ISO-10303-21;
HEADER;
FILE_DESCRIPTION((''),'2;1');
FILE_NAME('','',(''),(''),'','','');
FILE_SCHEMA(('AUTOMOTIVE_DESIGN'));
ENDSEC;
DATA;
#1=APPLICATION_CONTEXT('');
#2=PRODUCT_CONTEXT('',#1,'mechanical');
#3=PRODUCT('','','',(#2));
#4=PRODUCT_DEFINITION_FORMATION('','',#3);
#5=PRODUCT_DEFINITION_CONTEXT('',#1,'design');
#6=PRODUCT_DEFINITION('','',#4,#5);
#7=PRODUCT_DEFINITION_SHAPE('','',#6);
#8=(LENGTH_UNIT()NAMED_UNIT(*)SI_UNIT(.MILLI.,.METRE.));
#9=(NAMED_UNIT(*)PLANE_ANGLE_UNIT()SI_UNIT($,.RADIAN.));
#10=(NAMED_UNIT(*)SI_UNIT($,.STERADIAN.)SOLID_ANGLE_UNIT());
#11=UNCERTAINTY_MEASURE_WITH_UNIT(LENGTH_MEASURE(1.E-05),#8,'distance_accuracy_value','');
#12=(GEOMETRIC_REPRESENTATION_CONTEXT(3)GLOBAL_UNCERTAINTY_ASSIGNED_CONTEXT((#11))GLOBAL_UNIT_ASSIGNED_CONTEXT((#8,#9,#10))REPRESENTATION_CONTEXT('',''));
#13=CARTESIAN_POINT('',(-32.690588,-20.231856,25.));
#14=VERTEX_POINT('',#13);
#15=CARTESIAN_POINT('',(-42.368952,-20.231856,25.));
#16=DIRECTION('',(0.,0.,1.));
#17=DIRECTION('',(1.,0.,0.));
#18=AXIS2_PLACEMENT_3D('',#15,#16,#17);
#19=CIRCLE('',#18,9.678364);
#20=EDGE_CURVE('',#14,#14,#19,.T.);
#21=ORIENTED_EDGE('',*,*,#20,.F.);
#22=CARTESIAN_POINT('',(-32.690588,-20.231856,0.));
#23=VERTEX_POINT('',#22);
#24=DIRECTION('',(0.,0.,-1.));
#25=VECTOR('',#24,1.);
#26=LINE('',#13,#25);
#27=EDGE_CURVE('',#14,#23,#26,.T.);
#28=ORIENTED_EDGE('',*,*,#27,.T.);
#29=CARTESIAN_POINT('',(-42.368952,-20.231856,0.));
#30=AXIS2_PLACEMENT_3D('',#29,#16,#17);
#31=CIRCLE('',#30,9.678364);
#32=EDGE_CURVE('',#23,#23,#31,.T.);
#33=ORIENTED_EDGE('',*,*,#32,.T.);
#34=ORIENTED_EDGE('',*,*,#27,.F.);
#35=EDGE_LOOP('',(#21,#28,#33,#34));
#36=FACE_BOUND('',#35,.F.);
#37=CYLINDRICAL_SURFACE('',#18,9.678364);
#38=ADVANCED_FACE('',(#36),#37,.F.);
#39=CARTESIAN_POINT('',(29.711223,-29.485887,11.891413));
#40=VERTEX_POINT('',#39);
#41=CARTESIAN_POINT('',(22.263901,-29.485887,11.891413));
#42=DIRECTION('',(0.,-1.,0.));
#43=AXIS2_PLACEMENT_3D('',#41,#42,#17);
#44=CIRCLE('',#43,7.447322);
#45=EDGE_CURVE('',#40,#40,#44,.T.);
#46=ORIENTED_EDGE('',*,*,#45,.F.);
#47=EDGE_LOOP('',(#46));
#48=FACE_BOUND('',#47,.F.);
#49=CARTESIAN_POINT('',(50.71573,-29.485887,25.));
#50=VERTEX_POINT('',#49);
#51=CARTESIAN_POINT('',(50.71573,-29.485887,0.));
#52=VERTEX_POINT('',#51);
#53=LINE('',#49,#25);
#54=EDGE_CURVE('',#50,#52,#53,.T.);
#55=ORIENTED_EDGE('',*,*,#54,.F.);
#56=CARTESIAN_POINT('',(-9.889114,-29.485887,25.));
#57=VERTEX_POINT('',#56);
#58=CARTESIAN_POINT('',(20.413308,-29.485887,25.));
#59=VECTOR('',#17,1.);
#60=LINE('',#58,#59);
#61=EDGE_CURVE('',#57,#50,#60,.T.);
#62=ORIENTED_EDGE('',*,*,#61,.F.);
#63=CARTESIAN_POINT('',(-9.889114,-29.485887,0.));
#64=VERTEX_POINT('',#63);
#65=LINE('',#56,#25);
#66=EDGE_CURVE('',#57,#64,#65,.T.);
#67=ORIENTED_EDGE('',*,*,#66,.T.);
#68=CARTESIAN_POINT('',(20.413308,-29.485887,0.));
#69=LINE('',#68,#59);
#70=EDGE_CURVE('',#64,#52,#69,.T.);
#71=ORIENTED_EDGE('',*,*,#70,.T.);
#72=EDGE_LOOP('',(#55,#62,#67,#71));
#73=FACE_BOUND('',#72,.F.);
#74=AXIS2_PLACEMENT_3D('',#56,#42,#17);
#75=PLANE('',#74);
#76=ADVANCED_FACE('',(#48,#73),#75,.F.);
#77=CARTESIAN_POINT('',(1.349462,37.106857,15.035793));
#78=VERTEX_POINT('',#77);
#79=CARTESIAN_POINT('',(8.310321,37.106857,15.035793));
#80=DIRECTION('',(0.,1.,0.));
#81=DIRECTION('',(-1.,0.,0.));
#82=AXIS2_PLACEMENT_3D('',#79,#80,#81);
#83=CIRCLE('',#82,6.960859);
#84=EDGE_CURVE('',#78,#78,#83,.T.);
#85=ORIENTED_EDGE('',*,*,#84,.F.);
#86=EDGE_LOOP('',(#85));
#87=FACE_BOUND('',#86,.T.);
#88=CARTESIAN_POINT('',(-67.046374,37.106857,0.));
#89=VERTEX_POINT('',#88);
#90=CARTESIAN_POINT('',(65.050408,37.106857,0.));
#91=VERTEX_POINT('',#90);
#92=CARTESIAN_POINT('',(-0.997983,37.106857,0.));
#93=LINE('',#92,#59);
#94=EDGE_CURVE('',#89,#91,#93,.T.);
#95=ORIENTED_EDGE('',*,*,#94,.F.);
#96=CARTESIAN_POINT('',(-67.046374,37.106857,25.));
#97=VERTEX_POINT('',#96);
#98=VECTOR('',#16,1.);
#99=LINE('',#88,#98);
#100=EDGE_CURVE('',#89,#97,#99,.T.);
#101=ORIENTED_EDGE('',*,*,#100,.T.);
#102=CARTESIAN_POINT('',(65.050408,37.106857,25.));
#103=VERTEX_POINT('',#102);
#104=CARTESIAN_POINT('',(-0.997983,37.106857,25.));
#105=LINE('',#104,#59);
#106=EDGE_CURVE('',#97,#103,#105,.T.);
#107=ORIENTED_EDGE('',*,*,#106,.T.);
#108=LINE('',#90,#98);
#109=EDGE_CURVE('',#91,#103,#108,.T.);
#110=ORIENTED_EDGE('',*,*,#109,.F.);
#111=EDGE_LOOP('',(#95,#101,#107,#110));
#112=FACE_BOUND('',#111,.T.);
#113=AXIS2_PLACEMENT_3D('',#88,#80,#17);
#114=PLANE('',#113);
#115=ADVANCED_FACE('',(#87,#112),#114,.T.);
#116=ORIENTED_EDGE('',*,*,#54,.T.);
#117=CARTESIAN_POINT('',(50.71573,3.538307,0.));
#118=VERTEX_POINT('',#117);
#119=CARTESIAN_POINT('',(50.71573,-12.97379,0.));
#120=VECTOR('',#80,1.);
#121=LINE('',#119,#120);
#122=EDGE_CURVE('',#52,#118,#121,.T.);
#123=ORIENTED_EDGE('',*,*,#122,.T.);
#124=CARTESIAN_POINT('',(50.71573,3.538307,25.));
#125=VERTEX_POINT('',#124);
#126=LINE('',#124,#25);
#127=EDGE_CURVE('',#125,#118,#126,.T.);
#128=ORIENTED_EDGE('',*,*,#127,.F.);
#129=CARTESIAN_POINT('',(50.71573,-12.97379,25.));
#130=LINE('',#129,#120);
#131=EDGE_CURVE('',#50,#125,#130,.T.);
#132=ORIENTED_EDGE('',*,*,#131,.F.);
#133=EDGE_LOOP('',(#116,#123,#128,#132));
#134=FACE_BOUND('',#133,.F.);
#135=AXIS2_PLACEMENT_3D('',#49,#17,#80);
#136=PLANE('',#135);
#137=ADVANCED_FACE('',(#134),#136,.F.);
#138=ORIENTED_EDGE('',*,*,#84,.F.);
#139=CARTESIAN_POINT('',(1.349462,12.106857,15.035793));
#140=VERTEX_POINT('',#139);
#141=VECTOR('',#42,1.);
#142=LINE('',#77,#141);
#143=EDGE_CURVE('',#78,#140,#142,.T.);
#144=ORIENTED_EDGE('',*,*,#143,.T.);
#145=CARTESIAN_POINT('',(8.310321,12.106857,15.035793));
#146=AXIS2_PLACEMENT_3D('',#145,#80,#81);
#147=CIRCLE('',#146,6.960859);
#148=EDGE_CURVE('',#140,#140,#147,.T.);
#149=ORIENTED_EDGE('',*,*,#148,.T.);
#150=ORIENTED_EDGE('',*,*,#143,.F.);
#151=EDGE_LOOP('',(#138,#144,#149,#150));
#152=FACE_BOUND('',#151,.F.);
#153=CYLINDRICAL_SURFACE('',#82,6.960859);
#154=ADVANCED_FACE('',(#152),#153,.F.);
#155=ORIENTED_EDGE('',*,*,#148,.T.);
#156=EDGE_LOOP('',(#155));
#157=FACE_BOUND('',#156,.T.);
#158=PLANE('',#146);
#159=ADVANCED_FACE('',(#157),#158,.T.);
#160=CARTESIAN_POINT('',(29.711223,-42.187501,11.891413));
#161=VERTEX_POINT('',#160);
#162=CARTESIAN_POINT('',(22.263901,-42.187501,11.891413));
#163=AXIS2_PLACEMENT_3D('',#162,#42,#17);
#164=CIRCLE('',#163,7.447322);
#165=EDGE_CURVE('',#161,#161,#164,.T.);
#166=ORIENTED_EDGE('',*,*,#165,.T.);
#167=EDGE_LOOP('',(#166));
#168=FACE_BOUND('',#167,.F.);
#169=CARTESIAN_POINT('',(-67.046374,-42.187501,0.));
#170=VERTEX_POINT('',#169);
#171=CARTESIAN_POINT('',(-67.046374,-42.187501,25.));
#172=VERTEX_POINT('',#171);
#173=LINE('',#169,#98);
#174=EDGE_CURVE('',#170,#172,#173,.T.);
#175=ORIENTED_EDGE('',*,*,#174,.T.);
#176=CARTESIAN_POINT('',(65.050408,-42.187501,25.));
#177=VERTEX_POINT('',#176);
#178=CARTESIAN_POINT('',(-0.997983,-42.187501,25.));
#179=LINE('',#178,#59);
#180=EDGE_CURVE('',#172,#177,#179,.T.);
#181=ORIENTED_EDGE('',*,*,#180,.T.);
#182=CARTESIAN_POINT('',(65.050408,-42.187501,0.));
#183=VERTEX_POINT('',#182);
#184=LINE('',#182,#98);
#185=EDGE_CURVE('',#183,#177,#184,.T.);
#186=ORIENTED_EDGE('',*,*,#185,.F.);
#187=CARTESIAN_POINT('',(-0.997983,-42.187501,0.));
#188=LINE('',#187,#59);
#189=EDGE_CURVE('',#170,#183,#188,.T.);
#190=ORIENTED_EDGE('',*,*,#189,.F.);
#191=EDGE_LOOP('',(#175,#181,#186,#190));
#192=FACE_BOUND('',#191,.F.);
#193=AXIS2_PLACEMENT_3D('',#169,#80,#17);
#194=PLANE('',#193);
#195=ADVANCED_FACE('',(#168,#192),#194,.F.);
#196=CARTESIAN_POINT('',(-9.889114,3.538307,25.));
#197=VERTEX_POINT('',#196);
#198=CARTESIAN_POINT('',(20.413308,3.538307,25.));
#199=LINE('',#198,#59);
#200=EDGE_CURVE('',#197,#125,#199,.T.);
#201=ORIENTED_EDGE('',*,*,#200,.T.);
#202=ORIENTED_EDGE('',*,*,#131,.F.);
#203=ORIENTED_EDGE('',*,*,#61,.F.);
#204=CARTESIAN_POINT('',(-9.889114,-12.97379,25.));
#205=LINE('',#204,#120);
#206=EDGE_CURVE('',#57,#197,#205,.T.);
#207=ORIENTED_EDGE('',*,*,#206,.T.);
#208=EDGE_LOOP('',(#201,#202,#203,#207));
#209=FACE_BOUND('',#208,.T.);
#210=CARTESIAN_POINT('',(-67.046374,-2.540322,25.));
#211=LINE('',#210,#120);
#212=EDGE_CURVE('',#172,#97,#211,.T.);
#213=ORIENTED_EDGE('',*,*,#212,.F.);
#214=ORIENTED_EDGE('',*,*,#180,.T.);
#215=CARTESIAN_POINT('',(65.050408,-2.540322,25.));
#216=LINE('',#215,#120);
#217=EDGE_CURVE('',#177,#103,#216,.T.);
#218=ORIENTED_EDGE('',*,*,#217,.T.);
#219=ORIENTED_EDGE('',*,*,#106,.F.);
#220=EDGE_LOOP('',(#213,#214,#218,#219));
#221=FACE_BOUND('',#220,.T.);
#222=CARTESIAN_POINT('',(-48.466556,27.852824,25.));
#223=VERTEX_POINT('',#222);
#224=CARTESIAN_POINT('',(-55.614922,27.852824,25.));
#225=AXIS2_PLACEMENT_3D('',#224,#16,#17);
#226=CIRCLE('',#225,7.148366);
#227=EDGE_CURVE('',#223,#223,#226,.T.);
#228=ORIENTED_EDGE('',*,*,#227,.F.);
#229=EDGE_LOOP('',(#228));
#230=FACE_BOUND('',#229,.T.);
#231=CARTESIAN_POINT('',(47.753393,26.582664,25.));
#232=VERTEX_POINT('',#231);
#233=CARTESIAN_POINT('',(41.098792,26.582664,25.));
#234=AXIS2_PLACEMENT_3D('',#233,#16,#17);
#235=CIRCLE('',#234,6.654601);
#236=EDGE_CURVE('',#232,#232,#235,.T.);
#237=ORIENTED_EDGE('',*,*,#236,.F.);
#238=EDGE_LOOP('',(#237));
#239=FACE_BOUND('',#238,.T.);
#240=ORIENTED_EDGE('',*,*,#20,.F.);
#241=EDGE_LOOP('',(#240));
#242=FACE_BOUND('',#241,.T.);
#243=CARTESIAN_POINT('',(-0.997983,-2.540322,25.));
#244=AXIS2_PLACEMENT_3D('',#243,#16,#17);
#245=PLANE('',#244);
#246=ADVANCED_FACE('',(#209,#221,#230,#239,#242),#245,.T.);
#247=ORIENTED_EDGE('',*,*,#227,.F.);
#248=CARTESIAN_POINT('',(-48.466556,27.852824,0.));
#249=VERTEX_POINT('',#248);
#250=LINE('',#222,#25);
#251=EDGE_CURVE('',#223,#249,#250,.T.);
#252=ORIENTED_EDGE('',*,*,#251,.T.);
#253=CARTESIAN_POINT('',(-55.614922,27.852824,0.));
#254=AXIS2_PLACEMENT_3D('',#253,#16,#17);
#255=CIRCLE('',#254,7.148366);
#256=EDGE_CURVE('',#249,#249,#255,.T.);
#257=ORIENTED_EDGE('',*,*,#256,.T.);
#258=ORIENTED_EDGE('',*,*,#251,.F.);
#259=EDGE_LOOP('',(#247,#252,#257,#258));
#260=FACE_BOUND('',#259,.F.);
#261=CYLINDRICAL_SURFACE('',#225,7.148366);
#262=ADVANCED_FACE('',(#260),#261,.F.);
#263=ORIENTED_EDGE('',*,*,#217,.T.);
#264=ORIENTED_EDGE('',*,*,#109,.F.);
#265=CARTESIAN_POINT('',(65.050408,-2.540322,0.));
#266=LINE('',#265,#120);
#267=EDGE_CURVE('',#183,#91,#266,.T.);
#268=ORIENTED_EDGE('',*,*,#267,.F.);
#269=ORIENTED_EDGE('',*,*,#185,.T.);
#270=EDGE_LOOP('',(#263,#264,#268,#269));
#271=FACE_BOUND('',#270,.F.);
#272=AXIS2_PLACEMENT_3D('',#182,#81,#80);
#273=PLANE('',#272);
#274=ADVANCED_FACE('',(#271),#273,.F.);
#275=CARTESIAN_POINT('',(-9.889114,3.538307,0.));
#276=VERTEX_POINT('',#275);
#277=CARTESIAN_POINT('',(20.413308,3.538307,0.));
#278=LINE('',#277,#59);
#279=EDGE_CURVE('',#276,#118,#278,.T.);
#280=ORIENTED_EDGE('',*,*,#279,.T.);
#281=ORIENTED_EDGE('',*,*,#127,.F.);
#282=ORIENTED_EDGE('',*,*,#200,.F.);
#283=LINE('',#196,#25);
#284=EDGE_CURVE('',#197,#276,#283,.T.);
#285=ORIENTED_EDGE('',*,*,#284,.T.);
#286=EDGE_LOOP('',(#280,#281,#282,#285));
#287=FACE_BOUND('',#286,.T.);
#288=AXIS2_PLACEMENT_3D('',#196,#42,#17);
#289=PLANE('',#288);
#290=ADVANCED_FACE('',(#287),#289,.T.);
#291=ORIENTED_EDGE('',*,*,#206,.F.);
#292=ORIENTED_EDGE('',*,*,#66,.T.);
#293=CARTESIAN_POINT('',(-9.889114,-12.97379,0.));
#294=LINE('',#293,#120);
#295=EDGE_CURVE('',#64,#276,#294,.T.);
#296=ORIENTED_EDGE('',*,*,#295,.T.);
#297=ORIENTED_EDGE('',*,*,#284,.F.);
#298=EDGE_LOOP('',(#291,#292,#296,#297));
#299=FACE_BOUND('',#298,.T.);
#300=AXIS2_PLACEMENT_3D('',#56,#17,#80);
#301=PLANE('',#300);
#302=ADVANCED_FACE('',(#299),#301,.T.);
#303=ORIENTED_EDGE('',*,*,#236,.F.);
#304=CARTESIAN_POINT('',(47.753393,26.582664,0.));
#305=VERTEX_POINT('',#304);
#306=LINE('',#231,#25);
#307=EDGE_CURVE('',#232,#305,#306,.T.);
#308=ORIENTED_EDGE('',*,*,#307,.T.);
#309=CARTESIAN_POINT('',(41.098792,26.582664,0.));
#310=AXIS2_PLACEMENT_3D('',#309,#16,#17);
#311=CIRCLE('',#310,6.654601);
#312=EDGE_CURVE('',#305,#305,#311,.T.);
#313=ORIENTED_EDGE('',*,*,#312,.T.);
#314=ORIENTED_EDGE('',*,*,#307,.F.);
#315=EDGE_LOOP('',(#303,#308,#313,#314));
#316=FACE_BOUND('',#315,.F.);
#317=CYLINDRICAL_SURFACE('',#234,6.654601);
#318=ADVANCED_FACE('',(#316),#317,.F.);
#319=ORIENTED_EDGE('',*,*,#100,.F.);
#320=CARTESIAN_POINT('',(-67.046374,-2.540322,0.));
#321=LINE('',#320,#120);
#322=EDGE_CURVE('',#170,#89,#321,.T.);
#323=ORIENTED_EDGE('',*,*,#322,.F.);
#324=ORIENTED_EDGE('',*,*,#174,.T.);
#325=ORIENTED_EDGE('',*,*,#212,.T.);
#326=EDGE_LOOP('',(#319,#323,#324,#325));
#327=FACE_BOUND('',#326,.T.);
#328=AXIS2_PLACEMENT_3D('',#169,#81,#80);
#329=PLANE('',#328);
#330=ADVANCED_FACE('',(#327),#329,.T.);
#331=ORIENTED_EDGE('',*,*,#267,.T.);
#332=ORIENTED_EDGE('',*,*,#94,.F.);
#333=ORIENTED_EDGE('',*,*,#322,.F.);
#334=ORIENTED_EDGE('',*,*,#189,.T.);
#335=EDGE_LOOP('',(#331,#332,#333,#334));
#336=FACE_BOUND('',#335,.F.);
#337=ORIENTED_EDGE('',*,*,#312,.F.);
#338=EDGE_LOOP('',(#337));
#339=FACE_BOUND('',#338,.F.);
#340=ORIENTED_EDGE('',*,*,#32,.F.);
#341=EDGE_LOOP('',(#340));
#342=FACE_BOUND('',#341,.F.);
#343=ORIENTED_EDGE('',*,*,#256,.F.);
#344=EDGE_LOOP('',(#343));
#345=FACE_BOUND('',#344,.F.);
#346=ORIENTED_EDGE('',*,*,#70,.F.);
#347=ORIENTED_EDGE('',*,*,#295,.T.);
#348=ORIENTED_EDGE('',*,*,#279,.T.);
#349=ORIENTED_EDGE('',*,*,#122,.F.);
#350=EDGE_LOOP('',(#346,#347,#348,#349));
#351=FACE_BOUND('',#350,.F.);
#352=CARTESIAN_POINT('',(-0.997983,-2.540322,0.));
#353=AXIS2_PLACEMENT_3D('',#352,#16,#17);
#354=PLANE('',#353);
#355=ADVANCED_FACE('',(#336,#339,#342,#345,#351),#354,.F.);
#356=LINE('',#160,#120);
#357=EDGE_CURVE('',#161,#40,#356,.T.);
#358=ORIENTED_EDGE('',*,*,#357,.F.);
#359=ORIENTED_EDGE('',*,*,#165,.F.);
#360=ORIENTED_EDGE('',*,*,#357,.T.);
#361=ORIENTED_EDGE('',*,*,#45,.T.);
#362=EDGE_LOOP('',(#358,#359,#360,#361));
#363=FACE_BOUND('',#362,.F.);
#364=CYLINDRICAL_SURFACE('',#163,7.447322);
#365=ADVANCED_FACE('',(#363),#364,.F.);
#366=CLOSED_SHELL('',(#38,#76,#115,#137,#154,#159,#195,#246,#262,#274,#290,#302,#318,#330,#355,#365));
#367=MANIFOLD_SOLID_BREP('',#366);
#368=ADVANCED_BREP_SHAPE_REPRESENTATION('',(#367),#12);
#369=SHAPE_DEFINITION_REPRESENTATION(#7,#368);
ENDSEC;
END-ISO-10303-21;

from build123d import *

# Parameters (mm, degrees)
F0_W     = 132.096782
F0_H     = 79.294358
F1_DEPTH = 25
F2_R     = 7.148366
F2_R_2   = 9.678364
F3_DEPTH = 25
F2_R_3   = 6.654601
F2_W     = 60.604844
F2_H     = 33.024194
F4_DEPTH = 25
F5_R     = 7.447322
F6_DEPTH = 25
F7_R     = 6.960859
F8_DEPTH = 25


with BuildPart() as f1:
    # F0 (on Top) → F1 (new body)
    with BuildSketch(Plane.XY):
        with Locations((-0.997983, -2.540322)):
            Rectangle(F0_W, F0_H)
    extrude(amount=F1_DEPTH)

    # F2 (on face) → F3 (cut)
    with BuildSketch(Plane.XY.offset(25)):
        with Locations((-55.614922, 27.852824)):
            Circle(F2_R)
        with Locations((-42.368952, -20.231856)):
            Circle(F2_R_2)
    extrude(amount=-F3_DEPTH, mode=Mode.SUBTRACT)

    # F2 (on face) → F4 (cut)
    with BuildSketch(Plane.XY.offset(25)):
        with Locations((-55.614922, 27.852824)):
            Circle(F2_R)
        with Locations((-42.368952, -20.231856)):
            Circle(F2_R_2)
        with Locations((41.098792, 26.582664)):
            Circle(F2_R_3)
        with Locations((20.413308, -12.97379)):
            Rectangle(F2_W, F2_H)
    extrude(amount=-F4_DEPTH, mode=Mode.SUBTRACT)

    # F5 (on face) → F6 (cut)
    with BuildSketch(Plane.XZ.offset(42.187501)):
        with Locations((22.263901, 11.891413)):
            Circle(F5_R)
    extrude(amount=-F6_DEPTH, mode=Mode.SUBTRACT)

    # F7 (on face) → F8 (cut)
    with BuildSketch(Plane(origin=(0, 37.106857, 0), x_dir=(-1, 0, 0), z_dir=(0, 1, 0))):
        with Locations((-8.310321, 15.035793)):
            Circle(F7_R)
    extrude(amount=-F8_DEPTH, mode=Mode.SUBTRACT)


solid = f1.part
